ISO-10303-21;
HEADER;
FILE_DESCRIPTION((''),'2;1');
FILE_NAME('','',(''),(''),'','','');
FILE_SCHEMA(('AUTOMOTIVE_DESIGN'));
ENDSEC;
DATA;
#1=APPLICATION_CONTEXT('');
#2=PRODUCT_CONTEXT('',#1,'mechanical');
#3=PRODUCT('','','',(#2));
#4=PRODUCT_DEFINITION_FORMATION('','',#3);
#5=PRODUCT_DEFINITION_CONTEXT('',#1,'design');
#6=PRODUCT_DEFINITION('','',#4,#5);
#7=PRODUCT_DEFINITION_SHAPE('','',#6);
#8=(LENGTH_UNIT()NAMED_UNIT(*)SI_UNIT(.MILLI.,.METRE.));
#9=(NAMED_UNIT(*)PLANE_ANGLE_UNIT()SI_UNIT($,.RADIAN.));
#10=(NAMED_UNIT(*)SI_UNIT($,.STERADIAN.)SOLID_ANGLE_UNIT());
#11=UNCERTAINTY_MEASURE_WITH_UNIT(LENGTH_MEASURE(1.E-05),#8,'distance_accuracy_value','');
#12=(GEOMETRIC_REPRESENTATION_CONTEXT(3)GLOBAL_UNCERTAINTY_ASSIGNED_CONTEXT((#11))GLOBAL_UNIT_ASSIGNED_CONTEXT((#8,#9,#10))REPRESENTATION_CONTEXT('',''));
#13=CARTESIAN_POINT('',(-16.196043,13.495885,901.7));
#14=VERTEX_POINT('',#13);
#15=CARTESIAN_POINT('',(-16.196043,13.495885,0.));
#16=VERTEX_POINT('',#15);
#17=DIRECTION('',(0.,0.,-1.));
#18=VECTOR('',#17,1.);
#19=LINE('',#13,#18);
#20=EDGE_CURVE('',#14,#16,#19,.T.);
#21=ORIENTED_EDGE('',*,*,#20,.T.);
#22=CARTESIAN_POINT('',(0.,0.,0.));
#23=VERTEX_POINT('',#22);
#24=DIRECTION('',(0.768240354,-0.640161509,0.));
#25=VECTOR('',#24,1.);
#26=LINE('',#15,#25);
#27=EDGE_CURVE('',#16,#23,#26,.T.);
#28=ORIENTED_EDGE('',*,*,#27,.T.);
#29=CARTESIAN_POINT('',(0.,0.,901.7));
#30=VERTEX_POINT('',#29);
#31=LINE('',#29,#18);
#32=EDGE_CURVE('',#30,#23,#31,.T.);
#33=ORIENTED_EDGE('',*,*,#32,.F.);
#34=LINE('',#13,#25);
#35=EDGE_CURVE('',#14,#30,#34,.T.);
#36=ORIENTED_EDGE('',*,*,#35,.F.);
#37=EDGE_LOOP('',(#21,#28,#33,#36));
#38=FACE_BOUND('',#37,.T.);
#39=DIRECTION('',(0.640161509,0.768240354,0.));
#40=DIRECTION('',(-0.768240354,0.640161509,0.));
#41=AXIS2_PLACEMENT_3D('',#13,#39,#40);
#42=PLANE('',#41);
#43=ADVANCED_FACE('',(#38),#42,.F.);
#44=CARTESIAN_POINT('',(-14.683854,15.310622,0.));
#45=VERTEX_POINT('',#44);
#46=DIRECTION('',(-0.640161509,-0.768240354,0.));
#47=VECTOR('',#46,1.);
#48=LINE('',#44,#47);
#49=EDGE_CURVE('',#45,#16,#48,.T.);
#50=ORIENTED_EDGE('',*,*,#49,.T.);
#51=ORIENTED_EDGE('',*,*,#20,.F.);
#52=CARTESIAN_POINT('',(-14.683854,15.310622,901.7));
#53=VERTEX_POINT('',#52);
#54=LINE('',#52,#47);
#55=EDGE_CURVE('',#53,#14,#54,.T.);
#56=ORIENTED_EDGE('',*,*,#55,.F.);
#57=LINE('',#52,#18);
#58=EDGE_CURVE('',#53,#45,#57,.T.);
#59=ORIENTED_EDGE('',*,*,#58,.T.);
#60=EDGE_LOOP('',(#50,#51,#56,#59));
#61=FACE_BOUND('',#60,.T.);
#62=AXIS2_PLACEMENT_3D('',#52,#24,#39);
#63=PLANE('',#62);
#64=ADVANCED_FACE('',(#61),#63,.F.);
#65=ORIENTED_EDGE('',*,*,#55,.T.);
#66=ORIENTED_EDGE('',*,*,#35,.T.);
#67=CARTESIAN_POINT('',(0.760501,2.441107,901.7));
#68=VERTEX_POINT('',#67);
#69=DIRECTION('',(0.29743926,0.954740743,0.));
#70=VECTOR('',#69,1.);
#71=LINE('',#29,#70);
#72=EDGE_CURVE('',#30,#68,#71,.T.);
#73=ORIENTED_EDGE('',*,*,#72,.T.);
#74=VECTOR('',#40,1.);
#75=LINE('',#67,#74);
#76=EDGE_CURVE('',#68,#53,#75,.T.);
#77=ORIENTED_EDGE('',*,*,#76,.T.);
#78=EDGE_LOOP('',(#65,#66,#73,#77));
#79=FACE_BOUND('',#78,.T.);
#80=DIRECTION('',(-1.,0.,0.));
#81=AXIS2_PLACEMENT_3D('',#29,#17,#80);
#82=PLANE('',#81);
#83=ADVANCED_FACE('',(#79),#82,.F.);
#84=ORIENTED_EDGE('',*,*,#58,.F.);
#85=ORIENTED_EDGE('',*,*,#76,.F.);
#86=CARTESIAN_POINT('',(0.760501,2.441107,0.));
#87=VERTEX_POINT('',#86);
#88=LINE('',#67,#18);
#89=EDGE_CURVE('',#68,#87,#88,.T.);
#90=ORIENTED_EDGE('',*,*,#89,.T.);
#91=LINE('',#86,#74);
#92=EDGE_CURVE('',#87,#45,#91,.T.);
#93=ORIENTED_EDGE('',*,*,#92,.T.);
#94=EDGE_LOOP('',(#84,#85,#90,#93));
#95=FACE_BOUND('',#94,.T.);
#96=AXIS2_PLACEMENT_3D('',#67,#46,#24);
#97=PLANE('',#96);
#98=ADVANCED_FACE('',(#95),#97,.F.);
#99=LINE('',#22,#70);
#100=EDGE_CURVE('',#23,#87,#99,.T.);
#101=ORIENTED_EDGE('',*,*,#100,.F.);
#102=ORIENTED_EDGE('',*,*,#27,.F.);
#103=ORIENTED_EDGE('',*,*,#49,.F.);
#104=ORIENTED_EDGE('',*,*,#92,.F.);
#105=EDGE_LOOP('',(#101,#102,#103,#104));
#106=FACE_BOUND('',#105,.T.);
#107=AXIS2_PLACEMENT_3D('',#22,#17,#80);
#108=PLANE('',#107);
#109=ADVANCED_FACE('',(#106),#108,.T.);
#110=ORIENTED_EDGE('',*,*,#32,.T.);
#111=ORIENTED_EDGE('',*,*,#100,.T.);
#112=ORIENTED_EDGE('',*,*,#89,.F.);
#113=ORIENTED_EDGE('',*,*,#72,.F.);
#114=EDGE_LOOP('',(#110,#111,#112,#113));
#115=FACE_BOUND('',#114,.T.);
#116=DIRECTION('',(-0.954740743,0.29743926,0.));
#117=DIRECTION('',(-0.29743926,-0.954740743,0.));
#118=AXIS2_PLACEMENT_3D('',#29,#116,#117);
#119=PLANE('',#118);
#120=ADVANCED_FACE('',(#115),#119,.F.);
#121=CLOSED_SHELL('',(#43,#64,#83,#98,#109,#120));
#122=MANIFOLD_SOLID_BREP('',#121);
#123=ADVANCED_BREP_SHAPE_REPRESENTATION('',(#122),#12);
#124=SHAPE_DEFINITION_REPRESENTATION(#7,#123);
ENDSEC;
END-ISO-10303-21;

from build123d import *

# Parameters (mm, degrees)
BOSS_EXTRUDE1_DEPTH = 901.7


with BuildPart() as part:
    # Sketch1 → Boss-Extrude1 (new body)
    with BuildSketch(Plane.XY):
        Polygon((0, 0), (0.760500689, 2.441106772), (-14.68385363, 15.310622307), (-16.196043147, 13.495884942), align=None)
    extrude(amount=BOSS_EXTRUDE1_DEPTH)


solid = part.part
